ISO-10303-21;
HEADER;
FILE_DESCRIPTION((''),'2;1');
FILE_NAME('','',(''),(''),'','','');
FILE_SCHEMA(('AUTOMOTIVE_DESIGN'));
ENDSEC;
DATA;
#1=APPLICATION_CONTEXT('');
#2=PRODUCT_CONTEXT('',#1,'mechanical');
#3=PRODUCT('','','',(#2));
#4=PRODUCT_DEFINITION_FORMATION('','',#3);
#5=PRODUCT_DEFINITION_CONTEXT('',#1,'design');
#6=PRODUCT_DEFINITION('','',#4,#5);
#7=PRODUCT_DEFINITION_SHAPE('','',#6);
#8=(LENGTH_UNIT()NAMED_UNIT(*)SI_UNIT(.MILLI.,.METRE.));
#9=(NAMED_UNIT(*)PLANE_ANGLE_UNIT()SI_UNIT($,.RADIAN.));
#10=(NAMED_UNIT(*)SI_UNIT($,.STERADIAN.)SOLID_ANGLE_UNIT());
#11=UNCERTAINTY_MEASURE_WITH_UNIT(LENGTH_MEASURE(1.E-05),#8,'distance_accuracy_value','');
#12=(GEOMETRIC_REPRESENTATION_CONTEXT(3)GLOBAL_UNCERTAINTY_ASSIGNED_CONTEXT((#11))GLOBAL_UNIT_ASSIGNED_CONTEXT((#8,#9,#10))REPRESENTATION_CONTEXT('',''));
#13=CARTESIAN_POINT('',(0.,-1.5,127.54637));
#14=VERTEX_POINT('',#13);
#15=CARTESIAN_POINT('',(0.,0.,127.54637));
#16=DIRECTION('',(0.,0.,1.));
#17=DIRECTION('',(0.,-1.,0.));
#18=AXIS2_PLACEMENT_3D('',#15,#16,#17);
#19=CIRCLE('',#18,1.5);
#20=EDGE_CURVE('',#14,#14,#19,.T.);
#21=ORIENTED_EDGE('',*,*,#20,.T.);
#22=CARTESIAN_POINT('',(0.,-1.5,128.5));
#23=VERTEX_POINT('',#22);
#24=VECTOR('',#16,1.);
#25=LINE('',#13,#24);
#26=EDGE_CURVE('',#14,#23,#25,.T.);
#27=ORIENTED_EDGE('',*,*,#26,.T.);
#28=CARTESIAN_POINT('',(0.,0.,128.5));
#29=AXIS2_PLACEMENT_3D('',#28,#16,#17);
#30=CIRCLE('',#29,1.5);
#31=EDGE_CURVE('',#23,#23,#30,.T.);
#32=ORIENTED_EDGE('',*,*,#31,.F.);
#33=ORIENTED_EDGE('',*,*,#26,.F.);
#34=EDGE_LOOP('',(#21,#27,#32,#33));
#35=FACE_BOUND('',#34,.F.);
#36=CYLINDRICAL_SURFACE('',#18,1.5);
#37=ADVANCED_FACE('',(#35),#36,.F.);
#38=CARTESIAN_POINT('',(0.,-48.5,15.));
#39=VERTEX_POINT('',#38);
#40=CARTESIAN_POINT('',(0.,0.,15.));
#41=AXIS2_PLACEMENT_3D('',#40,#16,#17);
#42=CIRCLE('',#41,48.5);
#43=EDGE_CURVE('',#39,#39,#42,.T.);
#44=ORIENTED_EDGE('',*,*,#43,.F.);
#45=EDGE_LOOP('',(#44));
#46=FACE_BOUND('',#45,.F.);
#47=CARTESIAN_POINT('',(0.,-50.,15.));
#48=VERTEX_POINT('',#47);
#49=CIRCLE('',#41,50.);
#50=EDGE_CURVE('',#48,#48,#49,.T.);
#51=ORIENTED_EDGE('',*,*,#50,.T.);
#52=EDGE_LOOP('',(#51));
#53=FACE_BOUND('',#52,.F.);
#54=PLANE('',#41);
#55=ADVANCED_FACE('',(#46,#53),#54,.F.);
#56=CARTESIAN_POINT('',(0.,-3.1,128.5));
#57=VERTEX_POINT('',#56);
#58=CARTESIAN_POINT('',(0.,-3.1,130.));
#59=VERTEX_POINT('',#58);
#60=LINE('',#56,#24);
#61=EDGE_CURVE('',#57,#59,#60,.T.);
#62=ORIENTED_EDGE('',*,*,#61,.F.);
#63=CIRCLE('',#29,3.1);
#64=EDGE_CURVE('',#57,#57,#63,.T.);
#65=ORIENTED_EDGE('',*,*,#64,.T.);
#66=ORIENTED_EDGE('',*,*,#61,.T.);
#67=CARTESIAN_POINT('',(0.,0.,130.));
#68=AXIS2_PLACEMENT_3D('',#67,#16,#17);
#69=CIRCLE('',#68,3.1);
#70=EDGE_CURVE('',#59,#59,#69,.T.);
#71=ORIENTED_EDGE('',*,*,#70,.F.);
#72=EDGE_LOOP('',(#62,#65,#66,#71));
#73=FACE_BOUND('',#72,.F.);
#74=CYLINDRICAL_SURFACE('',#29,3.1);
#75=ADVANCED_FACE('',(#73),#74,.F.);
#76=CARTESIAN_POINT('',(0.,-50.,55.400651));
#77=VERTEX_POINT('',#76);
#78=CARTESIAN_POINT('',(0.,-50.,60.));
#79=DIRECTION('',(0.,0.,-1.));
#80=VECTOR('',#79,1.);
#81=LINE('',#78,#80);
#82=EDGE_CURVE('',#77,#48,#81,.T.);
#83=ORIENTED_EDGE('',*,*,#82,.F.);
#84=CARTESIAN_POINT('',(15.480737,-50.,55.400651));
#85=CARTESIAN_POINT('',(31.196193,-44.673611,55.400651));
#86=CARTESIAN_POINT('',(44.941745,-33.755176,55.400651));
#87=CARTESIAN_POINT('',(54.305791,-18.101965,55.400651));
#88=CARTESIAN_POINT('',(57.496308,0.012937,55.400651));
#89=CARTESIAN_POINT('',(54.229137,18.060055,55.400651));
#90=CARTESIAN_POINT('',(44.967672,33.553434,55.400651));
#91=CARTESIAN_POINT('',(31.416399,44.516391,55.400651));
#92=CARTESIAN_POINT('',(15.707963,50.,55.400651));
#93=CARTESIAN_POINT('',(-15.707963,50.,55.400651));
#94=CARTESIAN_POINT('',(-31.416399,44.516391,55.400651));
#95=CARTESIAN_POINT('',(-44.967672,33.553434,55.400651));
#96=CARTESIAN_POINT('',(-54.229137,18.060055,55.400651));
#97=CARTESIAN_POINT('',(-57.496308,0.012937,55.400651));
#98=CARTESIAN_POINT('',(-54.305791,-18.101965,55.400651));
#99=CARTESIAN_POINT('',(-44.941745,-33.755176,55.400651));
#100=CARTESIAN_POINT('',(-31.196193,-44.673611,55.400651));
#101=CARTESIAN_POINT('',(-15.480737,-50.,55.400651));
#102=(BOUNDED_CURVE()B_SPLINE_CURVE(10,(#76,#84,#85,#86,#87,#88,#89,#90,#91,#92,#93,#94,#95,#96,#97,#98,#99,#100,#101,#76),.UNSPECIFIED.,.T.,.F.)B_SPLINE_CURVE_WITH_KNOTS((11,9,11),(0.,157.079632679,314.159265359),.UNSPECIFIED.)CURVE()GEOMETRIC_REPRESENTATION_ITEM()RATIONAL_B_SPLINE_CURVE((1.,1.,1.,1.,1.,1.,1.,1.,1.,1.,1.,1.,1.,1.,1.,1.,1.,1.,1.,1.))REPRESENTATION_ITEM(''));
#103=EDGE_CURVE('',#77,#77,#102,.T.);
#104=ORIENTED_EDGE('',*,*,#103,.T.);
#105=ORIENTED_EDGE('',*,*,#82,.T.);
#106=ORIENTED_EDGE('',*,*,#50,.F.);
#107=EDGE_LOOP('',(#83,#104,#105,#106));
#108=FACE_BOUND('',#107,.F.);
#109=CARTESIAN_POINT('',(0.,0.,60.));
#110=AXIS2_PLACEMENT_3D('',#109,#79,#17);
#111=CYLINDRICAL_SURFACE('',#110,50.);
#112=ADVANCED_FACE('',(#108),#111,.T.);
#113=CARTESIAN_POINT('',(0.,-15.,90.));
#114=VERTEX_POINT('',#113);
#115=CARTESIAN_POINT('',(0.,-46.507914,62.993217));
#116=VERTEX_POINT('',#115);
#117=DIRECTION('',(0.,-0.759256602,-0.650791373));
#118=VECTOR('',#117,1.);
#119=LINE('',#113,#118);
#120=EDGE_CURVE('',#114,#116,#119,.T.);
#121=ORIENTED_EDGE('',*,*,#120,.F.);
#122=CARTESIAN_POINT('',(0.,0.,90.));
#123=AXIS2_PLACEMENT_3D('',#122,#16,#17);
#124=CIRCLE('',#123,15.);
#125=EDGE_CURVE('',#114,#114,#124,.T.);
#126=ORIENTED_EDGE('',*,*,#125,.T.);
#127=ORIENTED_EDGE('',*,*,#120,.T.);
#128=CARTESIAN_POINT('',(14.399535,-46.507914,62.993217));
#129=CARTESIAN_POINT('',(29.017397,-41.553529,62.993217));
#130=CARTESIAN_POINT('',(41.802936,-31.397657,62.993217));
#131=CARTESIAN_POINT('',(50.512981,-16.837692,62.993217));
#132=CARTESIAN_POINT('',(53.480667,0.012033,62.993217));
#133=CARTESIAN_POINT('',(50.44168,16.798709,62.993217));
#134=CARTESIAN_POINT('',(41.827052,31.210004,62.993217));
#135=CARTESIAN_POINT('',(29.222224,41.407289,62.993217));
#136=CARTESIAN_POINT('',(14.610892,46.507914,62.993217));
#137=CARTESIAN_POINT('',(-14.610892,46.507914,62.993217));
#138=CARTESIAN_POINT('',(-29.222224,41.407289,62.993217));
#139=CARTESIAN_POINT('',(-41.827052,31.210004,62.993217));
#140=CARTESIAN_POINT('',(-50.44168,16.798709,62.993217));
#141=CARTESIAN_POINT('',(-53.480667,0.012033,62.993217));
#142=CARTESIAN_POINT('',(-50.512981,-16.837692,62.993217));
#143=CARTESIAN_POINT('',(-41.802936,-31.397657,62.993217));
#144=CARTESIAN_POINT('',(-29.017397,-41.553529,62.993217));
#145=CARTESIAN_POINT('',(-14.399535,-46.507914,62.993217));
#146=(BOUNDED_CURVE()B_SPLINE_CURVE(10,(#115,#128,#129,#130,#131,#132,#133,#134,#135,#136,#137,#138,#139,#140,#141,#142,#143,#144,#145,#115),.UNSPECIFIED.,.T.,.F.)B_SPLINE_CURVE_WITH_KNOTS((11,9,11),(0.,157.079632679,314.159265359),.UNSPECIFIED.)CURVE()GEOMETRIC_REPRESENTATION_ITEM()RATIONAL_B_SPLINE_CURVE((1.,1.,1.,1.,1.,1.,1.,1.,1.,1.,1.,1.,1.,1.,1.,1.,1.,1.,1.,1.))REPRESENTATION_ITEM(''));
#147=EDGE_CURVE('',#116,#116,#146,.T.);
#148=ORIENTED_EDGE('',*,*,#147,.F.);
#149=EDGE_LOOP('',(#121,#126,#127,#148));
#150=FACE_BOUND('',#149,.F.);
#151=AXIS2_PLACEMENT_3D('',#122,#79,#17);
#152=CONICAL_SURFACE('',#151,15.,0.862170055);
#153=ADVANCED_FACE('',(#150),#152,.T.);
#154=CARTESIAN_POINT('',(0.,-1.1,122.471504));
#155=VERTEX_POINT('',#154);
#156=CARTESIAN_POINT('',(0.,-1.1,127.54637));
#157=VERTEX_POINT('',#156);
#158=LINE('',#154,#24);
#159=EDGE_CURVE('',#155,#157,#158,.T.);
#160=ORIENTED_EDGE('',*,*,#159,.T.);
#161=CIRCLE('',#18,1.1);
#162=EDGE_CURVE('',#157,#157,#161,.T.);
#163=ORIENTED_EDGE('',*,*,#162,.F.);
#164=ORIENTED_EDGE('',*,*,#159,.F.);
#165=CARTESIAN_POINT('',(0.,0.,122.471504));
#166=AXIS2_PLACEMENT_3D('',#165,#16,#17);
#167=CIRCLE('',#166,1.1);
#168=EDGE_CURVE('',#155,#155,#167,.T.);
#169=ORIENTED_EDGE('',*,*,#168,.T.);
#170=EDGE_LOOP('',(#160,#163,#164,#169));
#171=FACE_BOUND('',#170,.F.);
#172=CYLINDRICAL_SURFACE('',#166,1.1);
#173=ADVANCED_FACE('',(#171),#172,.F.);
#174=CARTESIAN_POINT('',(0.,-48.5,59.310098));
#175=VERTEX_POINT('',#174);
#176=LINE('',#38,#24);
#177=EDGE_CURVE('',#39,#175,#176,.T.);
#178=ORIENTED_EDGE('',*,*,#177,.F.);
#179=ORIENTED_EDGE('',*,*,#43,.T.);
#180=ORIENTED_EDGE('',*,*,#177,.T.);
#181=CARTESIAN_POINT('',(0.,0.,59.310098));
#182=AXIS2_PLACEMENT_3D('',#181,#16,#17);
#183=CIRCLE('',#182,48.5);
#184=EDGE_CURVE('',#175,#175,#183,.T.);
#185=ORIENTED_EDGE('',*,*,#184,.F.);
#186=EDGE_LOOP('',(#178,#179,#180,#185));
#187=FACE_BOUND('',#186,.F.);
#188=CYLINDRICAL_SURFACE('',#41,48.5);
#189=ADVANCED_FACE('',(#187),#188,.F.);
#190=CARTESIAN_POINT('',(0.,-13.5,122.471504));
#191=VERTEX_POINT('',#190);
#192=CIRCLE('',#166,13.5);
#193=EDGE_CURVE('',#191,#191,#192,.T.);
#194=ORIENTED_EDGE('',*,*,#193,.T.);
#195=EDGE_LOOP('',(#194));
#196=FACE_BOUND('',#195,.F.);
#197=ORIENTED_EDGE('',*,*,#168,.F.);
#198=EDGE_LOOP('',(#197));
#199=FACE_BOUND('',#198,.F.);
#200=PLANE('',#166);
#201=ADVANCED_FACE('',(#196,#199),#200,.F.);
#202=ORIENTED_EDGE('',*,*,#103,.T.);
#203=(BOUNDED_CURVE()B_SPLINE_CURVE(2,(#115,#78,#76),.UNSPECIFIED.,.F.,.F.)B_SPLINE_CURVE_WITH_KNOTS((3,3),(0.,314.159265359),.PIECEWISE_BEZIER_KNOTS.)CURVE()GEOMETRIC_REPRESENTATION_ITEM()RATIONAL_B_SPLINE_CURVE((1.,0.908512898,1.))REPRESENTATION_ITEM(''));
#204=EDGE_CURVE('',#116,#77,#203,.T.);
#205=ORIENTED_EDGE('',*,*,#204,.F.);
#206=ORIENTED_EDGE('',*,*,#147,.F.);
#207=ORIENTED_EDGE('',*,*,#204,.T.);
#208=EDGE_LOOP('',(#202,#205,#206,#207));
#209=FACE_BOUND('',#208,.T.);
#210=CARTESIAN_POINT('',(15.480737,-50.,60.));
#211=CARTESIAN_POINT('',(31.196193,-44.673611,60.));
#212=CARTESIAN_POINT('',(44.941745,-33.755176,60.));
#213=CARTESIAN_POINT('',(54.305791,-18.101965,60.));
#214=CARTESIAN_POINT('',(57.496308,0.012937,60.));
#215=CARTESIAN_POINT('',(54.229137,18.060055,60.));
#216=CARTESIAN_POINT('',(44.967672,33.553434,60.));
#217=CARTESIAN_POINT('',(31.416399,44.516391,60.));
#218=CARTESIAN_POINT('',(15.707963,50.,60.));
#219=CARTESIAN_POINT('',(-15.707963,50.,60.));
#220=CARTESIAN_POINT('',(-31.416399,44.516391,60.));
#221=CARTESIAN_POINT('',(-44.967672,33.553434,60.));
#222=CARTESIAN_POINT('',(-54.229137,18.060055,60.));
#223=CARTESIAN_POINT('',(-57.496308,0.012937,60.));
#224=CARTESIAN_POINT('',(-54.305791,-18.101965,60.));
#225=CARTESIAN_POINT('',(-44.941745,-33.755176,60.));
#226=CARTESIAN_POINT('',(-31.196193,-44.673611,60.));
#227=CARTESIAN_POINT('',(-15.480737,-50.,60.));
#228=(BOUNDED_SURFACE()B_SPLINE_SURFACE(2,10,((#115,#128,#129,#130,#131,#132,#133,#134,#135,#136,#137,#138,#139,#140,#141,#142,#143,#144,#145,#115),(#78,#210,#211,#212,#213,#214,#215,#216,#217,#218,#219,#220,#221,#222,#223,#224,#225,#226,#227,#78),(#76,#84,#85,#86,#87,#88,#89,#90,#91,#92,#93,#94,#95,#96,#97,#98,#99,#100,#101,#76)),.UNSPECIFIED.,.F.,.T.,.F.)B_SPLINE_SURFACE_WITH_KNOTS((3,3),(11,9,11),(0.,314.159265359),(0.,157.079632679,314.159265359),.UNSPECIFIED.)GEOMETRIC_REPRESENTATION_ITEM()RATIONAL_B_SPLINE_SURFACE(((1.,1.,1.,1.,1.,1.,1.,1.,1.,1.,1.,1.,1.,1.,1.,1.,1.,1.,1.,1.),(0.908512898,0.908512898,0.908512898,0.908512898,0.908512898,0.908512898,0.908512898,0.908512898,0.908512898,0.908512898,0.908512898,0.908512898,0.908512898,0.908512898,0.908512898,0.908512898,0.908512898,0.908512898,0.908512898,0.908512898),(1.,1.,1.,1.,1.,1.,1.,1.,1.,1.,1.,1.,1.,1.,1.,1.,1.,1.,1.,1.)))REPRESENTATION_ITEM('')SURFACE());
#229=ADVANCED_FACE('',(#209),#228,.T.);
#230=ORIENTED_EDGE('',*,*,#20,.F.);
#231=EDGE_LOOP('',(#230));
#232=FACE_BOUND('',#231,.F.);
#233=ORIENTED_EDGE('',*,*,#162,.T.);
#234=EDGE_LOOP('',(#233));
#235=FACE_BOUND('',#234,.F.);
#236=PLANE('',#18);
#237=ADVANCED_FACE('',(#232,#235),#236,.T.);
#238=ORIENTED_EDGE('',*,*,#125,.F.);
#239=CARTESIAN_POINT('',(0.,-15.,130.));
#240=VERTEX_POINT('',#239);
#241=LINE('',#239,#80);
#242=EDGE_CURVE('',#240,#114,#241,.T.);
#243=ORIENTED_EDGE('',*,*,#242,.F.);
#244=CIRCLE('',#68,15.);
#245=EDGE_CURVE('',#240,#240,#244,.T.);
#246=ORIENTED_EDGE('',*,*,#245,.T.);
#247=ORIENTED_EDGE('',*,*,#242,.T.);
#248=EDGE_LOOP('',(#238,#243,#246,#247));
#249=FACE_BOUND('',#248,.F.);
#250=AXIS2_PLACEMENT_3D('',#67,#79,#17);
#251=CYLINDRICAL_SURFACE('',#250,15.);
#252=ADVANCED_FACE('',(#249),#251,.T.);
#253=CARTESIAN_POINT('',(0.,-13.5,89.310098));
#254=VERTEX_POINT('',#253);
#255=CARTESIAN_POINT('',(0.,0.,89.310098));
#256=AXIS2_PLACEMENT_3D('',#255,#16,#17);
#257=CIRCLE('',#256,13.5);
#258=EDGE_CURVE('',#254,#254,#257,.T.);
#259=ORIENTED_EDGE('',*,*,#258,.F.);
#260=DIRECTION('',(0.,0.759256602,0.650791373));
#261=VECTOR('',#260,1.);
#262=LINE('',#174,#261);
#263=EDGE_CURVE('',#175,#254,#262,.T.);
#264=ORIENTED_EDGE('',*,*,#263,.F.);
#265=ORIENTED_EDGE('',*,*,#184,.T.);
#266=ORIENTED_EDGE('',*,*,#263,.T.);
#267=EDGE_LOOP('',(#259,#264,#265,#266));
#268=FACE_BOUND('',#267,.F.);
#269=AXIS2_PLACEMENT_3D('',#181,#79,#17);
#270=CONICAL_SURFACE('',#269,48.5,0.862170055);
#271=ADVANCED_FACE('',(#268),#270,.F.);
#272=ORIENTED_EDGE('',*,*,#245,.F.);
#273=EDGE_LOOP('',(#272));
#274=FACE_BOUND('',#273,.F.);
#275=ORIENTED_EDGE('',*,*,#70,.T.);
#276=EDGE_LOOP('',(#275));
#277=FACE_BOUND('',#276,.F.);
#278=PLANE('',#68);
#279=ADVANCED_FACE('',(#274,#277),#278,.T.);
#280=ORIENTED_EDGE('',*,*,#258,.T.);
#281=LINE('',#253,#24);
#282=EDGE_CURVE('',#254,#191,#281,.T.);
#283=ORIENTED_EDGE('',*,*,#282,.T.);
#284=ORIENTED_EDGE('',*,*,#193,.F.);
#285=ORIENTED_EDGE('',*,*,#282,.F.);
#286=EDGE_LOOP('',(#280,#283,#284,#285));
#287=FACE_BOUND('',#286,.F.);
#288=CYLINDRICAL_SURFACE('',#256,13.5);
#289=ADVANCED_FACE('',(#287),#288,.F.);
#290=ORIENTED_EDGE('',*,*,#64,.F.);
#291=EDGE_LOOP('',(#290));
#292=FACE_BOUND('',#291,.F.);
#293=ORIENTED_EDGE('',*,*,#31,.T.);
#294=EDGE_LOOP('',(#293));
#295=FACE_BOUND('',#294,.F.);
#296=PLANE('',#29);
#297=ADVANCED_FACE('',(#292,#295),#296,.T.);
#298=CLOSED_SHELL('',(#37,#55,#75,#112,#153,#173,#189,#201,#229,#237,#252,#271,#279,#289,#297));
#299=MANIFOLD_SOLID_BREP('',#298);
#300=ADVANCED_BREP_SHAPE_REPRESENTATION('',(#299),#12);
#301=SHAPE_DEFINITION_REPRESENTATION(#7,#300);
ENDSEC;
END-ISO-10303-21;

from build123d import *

# Parameters (mm, degrees)
F2_R = 10


with BuildPart() as f1:
    # F0 (on Right) → F1 (revolve)
    with BuildSketch(Plane.YZ):
        Polygon((-50, 15), (-48.5, 15), (-48.5, 59.310098), (-13.5, 89.310098), (-13.5, 122.471504), (-1.1, 122.471504), (-1.1, 127.54637), (-1.5, 127.54637), (-1.5, 128.5), (-3.1, 128.5), (-3.1, 130), (-15, 130), (-15, 90), (-50, 60), align=None)
    revolve(axis=Axis((0, 0, 8.976309), (0, 0, 1)))

    # F2
    f2_edges = [f1.edges().sort_by_distance(p)[0] for p in [
        (0, 50, 60),
    ]]
    fillet(f2_edges, radius=F2_R)


solid = f1.part
